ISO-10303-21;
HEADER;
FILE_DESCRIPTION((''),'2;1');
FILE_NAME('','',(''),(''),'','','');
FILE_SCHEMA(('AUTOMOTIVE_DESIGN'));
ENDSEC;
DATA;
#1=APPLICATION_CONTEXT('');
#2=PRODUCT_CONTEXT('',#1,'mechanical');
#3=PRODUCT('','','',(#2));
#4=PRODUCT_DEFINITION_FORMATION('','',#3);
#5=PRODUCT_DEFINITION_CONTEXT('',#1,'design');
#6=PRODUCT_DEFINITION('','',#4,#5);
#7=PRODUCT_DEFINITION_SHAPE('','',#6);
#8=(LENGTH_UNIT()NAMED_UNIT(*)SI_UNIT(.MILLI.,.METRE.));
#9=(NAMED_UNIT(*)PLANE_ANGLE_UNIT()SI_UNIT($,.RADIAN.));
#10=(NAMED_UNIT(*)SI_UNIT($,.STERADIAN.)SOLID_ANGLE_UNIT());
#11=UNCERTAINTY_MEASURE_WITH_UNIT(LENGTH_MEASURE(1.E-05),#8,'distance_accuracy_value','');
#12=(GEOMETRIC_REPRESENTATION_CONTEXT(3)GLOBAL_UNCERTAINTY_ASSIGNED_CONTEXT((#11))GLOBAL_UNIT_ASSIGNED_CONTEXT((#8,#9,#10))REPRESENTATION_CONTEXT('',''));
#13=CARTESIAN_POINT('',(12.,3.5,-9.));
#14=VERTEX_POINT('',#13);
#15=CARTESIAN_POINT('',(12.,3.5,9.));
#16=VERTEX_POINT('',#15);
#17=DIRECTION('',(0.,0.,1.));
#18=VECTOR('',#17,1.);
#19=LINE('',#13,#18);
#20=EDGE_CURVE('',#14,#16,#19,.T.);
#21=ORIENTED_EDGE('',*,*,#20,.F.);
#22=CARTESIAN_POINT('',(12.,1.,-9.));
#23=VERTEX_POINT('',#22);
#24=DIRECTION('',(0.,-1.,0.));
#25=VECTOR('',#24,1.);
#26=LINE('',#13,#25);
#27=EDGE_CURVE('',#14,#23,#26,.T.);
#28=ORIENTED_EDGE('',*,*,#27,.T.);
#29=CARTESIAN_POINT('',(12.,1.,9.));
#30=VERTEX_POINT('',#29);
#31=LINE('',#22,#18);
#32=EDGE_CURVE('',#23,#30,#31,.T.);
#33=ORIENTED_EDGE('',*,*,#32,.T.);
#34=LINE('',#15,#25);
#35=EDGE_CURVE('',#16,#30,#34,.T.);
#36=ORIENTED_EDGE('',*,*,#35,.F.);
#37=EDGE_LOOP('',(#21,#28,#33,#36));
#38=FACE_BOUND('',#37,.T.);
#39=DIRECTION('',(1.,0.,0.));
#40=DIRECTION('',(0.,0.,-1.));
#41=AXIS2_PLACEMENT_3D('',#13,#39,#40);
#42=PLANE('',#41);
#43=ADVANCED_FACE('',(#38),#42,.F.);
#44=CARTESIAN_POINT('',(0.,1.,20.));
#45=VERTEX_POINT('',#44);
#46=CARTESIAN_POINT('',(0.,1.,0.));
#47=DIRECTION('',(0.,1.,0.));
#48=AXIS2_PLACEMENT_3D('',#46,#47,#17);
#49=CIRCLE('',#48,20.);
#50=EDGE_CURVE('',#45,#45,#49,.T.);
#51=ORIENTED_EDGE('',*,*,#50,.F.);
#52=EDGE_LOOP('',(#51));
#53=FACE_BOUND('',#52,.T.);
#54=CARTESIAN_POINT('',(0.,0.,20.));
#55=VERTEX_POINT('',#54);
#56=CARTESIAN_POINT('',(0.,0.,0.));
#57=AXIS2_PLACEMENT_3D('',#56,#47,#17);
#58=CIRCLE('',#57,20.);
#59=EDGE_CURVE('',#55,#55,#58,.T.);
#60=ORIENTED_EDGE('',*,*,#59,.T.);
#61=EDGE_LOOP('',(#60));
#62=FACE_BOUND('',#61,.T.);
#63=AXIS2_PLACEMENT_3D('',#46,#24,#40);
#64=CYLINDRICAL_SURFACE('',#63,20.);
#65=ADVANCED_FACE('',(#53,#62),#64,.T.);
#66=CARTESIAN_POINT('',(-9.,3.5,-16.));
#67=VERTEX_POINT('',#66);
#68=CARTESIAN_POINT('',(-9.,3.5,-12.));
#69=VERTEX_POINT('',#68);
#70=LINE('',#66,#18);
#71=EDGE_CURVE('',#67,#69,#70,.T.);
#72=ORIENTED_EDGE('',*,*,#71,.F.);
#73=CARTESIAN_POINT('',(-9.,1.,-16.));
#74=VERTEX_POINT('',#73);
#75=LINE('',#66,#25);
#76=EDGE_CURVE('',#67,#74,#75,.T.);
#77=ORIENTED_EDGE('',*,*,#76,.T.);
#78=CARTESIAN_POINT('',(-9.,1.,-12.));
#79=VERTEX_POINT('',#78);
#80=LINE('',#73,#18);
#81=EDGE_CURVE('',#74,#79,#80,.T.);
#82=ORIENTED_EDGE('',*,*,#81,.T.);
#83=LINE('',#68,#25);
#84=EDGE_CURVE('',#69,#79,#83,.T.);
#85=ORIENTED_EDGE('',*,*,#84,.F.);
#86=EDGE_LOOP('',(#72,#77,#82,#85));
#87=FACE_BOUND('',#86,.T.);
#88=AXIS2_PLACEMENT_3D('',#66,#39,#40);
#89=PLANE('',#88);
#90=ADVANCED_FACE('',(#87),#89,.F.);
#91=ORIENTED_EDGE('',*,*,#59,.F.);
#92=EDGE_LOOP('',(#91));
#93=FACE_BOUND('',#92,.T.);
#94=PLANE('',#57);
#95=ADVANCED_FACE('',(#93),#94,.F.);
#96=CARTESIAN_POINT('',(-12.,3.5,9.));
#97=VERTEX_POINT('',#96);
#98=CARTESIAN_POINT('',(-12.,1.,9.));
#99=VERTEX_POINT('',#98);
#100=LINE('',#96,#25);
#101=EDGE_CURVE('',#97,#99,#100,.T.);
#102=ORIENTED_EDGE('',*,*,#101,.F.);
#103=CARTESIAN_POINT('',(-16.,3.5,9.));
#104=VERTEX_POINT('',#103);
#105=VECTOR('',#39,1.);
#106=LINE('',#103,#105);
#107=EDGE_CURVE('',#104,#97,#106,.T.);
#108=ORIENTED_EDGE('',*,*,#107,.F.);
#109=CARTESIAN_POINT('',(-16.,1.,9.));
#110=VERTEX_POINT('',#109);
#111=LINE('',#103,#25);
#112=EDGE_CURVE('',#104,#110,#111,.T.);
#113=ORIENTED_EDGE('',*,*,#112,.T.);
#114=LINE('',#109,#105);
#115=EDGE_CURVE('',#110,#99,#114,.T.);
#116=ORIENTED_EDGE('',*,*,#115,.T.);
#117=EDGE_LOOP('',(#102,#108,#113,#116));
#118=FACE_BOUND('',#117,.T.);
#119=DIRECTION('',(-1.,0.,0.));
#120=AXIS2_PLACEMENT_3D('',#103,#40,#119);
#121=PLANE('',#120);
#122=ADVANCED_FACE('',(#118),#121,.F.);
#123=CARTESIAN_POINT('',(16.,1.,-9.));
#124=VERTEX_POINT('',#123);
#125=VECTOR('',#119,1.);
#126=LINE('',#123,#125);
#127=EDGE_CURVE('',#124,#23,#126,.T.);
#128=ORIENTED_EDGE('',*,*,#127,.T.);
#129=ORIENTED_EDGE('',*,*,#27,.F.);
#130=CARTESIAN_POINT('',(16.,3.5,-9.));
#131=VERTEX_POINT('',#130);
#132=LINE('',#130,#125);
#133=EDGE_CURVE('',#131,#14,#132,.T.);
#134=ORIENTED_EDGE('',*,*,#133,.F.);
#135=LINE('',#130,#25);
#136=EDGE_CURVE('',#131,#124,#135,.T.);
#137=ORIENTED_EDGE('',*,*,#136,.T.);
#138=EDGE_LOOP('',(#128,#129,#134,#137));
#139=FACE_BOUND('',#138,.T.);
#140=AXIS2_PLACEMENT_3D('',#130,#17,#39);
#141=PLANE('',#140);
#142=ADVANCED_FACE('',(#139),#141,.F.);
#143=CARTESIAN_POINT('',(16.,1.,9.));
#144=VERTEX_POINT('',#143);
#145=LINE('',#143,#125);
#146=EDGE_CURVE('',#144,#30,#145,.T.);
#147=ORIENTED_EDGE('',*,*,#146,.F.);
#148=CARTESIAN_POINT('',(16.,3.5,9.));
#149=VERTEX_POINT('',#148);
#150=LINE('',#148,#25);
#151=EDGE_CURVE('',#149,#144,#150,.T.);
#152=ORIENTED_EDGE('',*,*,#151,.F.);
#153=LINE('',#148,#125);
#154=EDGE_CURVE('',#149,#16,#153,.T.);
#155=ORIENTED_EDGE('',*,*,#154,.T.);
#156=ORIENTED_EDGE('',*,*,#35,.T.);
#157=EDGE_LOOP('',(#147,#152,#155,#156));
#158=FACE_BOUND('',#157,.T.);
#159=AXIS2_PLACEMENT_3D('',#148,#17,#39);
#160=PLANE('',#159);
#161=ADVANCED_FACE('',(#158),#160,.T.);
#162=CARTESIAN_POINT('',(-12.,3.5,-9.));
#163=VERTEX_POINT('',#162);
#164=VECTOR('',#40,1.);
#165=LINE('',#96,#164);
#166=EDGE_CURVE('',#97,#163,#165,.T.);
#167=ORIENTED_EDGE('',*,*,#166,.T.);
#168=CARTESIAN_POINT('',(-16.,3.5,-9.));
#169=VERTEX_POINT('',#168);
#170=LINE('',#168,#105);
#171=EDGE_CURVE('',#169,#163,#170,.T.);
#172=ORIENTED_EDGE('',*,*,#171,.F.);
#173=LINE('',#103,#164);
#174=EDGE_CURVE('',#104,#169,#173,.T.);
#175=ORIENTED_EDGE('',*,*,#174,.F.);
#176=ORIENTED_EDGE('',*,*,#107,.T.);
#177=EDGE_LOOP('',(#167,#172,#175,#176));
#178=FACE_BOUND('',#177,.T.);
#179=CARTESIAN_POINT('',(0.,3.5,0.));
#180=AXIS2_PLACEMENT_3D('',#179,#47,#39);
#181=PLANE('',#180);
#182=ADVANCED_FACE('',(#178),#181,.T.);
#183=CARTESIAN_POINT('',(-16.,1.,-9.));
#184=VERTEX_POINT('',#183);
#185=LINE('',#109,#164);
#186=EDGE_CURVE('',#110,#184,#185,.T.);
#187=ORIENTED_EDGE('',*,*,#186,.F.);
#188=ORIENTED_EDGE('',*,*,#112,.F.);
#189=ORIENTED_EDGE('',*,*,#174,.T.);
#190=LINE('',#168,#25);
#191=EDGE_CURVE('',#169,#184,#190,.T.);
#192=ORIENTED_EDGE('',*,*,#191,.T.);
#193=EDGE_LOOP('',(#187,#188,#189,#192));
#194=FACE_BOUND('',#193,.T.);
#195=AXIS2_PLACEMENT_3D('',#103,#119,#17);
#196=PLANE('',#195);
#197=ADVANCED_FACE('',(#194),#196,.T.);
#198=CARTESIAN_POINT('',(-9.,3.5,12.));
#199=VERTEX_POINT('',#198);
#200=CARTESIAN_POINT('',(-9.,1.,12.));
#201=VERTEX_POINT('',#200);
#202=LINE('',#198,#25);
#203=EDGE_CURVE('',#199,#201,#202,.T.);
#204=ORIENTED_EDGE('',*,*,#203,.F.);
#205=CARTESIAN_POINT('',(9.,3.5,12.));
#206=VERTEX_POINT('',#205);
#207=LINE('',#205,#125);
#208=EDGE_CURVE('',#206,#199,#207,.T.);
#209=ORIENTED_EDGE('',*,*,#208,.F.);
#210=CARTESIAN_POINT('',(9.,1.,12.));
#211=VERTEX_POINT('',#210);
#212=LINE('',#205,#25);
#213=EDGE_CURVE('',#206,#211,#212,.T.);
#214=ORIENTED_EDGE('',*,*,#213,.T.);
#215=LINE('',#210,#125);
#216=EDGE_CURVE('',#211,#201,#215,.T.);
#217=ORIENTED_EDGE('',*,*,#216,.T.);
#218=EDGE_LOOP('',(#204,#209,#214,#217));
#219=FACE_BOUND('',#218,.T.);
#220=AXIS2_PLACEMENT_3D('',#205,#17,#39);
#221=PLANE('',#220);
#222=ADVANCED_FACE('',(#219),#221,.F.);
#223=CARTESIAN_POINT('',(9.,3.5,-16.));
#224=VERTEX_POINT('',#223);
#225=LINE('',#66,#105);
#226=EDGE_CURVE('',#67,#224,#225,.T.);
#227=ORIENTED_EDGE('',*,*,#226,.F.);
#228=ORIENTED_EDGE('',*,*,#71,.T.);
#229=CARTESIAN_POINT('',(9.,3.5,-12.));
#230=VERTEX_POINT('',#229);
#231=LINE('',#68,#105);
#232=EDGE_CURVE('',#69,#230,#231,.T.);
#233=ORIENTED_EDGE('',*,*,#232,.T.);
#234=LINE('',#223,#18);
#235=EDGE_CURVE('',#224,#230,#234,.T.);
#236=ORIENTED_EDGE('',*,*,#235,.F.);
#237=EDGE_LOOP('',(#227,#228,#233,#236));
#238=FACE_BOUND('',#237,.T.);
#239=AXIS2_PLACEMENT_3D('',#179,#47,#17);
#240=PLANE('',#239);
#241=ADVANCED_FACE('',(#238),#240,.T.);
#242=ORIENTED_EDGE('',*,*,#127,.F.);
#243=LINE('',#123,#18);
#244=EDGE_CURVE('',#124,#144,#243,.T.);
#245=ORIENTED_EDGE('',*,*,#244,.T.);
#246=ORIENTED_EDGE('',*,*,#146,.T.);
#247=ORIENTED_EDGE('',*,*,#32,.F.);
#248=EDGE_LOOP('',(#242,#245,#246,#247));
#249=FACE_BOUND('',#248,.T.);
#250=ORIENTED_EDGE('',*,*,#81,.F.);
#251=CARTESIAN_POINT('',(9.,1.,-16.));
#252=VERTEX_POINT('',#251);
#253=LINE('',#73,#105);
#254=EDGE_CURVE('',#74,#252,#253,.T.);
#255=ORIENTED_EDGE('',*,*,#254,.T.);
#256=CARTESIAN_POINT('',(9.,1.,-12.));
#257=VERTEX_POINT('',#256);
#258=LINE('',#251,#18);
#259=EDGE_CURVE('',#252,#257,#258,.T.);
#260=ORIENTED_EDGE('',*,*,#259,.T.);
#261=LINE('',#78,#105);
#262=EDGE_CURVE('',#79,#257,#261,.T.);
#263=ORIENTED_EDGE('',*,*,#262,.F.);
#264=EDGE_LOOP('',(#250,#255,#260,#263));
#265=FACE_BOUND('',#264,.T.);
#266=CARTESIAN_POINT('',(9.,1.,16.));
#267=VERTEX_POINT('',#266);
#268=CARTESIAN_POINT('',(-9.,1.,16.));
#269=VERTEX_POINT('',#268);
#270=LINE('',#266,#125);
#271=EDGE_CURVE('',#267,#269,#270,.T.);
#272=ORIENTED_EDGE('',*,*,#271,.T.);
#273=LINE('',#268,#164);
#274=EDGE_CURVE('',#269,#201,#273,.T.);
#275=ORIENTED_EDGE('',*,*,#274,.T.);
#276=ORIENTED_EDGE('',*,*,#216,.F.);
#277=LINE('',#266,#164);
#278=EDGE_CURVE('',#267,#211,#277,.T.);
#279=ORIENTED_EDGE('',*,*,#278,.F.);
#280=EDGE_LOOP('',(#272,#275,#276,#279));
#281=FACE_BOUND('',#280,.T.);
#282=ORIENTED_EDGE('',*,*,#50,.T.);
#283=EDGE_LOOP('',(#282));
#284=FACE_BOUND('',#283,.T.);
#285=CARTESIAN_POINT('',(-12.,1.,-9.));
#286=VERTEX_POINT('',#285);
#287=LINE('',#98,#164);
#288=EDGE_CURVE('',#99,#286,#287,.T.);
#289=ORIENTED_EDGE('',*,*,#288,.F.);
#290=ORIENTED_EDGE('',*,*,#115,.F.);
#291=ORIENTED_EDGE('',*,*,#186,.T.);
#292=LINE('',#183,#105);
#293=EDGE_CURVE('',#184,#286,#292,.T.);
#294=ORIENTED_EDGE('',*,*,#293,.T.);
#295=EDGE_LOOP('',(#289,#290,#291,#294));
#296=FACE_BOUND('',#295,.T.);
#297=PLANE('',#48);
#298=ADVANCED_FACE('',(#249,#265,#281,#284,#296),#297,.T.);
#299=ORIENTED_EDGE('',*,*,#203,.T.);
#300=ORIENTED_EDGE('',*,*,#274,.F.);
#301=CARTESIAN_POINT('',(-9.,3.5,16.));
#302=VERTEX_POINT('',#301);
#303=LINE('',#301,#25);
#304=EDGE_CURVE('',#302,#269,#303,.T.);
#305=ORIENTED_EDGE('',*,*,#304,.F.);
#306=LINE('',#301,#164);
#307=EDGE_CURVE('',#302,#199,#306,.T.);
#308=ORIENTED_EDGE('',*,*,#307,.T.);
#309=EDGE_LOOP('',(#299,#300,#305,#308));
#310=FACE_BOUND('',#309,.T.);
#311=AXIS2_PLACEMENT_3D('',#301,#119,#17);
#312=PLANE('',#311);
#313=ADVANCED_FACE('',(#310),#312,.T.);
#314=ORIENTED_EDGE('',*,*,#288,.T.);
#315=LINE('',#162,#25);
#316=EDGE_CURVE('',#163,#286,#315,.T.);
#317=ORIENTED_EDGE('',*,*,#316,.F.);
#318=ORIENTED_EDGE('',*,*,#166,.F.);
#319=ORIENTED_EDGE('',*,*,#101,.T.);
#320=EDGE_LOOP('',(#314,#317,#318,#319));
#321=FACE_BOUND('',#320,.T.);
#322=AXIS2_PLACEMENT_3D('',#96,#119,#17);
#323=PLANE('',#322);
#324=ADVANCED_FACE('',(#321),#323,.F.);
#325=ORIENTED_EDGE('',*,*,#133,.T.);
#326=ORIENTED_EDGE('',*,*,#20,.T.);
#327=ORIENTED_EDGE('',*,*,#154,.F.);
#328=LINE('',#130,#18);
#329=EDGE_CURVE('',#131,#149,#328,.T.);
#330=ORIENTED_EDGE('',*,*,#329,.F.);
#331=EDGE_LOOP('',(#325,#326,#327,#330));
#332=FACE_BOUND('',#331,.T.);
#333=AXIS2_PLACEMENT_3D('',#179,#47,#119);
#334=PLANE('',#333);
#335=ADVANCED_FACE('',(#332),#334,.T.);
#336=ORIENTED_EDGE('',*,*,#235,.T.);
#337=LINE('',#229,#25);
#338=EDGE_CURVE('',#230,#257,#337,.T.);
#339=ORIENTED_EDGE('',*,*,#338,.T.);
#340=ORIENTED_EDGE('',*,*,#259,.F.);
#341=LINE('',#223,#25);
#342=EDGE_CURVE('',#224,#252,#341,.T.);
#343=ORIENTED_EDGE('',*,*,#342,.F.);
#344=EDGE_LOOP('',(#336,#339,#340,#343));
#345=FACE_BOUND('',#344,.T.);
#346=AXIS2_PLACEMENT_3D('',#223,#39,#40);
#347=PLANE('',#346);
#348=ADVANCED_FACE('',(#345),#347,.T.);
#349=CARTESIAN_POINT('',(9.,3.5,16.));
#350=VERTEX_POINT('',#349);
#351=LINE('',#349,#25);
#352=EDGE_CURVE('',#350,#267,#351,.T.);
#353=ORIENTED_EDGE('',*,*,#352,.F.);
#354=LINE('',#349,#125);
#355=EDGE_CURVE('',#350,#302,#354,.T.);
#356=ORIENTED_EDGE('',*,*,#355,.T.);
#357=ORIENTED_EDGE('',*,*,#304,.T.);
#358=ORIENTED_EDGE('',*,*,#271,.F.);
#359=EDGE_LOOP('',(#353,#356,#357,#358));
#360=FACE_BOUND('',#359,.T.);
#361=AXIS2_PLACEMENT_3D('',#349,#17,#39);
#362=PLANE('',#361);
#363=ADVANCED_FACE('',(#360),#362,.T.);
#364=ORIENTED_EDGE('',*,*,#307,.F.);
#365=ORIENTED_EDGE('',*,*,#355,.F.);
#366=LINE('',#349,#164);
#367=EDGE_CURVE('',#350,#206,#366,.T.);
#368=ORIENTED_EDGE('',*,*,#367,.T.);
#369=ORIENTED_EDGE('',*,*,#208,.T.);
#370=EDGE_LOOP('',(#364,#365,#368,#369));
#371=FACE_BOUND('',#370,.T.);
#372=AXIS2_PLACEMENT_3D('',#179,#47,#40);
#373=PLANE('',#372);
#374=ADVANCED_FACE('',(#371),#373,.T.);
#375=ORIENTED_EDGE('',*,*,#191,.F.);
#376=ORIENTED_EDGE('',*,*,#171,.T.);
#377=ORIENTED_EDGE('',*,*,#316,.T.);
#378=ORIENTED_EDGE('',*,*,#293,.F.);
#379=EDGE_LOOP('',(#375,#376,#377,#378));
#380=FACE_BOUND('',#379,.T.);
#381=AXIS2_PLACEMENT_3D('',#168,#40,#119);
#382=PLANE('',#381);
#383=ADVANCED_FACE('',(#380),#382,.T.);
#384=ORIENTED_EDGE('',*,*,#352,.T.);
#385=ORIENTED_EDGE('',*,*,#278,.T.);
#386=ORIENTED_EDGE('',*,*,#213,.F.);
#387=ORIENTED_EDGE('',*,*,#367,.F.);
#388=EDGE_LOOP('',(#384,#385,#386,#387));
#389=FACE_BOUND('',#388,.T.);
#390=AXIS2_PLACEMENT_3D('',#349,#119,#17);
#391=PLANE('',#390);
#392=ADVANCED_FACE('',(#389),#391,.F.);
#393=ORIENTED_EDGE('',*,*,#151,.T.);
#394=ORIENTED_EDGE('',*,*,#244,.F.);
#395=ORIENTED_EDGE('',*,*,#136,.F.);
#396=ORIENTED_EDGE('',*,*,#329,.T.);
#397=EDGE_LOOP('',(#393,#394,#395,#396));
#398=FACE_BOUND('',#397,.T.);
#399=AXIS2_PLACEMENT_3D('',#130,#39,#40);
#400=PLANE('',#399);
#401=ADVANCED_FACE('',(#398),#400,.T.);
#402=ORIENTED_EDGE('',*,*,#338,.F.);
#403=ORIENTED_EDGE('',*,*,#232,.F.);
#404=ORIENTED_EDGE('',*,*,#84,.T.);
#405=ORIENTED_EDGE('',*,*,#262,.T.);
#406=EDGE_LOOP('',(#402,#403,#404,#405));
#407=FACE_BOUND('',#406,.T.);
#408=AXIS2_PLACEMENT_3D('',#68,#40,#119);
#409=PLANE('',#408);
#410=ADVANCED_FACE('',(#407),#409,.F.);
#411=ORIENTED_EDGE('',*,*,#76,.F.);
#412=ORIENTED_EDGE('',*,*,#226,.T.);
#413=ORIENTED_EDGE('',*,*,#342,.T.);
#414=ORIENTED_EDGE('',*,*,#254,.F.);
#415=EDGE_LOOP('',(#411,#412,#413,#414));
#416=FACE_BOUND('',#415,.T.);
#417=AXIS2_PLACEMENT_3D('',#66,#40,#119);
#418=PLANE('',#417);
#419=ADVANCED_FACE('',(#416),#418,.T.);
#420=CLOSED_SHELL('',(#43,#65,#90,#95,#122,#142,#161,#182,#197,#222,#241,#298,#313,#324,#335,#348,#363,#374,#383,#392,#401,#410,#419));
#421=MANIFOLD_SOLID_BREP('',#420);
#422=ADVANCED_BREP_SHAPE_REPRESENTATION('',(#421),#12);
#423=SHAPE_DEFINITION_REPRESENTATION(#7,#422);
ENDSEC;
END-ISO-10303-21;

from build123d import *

# Parameters (mm, degrees)
SKETCH1_R                    = 20
PCB_DEPTH                    = 1
SKETCH2_W                    = 18
SKETCH2_H                    = 4
HIROSE_CONNECTOR_STACK_DEPTH = 2.5
CIRPATTERN1_COUNT            = 4


with BuildPart() as part:
    # Sketch1 → PCB (new body)
    with BuildSketch(Plane(origin=(0, 0, 0), x_dir=(1, 0, 0), z_dir=(0, 1, 0))):
        with Locations(Location((0, 0, 0), (0, 0, 270))):
            Circle(SKETCH1_R)
    extrude(amount=PCB_DEPTH)

    # Sketch2 → Hirose Connector Stack (add)
    with BuildSketch(Plane(origin=(0, 1, 0), x_dir=(1, 0, 0), z_dir=(0, 1, 0))):
        with Locations((0, 14)):
            Rectangle(SKETCH2_W, SKETCH2_H)
    hirose_connector_stack = extrude(amount=HIROSE_CONNECTOR_STACK_DEPTH)

    # CirPattern1: Hirose Connector Stack ×4 about axis
    cirpattern1_axis = Axis((0, 0, 0), (0, 1, 0))
    for i in range(1, CIRPATTERN1_COUNT):
        add(hirose_connector_stack.rotate(cirpattern1_axis, i * 360 / CIRPATTERN1_COUNT))


solid = part.part
